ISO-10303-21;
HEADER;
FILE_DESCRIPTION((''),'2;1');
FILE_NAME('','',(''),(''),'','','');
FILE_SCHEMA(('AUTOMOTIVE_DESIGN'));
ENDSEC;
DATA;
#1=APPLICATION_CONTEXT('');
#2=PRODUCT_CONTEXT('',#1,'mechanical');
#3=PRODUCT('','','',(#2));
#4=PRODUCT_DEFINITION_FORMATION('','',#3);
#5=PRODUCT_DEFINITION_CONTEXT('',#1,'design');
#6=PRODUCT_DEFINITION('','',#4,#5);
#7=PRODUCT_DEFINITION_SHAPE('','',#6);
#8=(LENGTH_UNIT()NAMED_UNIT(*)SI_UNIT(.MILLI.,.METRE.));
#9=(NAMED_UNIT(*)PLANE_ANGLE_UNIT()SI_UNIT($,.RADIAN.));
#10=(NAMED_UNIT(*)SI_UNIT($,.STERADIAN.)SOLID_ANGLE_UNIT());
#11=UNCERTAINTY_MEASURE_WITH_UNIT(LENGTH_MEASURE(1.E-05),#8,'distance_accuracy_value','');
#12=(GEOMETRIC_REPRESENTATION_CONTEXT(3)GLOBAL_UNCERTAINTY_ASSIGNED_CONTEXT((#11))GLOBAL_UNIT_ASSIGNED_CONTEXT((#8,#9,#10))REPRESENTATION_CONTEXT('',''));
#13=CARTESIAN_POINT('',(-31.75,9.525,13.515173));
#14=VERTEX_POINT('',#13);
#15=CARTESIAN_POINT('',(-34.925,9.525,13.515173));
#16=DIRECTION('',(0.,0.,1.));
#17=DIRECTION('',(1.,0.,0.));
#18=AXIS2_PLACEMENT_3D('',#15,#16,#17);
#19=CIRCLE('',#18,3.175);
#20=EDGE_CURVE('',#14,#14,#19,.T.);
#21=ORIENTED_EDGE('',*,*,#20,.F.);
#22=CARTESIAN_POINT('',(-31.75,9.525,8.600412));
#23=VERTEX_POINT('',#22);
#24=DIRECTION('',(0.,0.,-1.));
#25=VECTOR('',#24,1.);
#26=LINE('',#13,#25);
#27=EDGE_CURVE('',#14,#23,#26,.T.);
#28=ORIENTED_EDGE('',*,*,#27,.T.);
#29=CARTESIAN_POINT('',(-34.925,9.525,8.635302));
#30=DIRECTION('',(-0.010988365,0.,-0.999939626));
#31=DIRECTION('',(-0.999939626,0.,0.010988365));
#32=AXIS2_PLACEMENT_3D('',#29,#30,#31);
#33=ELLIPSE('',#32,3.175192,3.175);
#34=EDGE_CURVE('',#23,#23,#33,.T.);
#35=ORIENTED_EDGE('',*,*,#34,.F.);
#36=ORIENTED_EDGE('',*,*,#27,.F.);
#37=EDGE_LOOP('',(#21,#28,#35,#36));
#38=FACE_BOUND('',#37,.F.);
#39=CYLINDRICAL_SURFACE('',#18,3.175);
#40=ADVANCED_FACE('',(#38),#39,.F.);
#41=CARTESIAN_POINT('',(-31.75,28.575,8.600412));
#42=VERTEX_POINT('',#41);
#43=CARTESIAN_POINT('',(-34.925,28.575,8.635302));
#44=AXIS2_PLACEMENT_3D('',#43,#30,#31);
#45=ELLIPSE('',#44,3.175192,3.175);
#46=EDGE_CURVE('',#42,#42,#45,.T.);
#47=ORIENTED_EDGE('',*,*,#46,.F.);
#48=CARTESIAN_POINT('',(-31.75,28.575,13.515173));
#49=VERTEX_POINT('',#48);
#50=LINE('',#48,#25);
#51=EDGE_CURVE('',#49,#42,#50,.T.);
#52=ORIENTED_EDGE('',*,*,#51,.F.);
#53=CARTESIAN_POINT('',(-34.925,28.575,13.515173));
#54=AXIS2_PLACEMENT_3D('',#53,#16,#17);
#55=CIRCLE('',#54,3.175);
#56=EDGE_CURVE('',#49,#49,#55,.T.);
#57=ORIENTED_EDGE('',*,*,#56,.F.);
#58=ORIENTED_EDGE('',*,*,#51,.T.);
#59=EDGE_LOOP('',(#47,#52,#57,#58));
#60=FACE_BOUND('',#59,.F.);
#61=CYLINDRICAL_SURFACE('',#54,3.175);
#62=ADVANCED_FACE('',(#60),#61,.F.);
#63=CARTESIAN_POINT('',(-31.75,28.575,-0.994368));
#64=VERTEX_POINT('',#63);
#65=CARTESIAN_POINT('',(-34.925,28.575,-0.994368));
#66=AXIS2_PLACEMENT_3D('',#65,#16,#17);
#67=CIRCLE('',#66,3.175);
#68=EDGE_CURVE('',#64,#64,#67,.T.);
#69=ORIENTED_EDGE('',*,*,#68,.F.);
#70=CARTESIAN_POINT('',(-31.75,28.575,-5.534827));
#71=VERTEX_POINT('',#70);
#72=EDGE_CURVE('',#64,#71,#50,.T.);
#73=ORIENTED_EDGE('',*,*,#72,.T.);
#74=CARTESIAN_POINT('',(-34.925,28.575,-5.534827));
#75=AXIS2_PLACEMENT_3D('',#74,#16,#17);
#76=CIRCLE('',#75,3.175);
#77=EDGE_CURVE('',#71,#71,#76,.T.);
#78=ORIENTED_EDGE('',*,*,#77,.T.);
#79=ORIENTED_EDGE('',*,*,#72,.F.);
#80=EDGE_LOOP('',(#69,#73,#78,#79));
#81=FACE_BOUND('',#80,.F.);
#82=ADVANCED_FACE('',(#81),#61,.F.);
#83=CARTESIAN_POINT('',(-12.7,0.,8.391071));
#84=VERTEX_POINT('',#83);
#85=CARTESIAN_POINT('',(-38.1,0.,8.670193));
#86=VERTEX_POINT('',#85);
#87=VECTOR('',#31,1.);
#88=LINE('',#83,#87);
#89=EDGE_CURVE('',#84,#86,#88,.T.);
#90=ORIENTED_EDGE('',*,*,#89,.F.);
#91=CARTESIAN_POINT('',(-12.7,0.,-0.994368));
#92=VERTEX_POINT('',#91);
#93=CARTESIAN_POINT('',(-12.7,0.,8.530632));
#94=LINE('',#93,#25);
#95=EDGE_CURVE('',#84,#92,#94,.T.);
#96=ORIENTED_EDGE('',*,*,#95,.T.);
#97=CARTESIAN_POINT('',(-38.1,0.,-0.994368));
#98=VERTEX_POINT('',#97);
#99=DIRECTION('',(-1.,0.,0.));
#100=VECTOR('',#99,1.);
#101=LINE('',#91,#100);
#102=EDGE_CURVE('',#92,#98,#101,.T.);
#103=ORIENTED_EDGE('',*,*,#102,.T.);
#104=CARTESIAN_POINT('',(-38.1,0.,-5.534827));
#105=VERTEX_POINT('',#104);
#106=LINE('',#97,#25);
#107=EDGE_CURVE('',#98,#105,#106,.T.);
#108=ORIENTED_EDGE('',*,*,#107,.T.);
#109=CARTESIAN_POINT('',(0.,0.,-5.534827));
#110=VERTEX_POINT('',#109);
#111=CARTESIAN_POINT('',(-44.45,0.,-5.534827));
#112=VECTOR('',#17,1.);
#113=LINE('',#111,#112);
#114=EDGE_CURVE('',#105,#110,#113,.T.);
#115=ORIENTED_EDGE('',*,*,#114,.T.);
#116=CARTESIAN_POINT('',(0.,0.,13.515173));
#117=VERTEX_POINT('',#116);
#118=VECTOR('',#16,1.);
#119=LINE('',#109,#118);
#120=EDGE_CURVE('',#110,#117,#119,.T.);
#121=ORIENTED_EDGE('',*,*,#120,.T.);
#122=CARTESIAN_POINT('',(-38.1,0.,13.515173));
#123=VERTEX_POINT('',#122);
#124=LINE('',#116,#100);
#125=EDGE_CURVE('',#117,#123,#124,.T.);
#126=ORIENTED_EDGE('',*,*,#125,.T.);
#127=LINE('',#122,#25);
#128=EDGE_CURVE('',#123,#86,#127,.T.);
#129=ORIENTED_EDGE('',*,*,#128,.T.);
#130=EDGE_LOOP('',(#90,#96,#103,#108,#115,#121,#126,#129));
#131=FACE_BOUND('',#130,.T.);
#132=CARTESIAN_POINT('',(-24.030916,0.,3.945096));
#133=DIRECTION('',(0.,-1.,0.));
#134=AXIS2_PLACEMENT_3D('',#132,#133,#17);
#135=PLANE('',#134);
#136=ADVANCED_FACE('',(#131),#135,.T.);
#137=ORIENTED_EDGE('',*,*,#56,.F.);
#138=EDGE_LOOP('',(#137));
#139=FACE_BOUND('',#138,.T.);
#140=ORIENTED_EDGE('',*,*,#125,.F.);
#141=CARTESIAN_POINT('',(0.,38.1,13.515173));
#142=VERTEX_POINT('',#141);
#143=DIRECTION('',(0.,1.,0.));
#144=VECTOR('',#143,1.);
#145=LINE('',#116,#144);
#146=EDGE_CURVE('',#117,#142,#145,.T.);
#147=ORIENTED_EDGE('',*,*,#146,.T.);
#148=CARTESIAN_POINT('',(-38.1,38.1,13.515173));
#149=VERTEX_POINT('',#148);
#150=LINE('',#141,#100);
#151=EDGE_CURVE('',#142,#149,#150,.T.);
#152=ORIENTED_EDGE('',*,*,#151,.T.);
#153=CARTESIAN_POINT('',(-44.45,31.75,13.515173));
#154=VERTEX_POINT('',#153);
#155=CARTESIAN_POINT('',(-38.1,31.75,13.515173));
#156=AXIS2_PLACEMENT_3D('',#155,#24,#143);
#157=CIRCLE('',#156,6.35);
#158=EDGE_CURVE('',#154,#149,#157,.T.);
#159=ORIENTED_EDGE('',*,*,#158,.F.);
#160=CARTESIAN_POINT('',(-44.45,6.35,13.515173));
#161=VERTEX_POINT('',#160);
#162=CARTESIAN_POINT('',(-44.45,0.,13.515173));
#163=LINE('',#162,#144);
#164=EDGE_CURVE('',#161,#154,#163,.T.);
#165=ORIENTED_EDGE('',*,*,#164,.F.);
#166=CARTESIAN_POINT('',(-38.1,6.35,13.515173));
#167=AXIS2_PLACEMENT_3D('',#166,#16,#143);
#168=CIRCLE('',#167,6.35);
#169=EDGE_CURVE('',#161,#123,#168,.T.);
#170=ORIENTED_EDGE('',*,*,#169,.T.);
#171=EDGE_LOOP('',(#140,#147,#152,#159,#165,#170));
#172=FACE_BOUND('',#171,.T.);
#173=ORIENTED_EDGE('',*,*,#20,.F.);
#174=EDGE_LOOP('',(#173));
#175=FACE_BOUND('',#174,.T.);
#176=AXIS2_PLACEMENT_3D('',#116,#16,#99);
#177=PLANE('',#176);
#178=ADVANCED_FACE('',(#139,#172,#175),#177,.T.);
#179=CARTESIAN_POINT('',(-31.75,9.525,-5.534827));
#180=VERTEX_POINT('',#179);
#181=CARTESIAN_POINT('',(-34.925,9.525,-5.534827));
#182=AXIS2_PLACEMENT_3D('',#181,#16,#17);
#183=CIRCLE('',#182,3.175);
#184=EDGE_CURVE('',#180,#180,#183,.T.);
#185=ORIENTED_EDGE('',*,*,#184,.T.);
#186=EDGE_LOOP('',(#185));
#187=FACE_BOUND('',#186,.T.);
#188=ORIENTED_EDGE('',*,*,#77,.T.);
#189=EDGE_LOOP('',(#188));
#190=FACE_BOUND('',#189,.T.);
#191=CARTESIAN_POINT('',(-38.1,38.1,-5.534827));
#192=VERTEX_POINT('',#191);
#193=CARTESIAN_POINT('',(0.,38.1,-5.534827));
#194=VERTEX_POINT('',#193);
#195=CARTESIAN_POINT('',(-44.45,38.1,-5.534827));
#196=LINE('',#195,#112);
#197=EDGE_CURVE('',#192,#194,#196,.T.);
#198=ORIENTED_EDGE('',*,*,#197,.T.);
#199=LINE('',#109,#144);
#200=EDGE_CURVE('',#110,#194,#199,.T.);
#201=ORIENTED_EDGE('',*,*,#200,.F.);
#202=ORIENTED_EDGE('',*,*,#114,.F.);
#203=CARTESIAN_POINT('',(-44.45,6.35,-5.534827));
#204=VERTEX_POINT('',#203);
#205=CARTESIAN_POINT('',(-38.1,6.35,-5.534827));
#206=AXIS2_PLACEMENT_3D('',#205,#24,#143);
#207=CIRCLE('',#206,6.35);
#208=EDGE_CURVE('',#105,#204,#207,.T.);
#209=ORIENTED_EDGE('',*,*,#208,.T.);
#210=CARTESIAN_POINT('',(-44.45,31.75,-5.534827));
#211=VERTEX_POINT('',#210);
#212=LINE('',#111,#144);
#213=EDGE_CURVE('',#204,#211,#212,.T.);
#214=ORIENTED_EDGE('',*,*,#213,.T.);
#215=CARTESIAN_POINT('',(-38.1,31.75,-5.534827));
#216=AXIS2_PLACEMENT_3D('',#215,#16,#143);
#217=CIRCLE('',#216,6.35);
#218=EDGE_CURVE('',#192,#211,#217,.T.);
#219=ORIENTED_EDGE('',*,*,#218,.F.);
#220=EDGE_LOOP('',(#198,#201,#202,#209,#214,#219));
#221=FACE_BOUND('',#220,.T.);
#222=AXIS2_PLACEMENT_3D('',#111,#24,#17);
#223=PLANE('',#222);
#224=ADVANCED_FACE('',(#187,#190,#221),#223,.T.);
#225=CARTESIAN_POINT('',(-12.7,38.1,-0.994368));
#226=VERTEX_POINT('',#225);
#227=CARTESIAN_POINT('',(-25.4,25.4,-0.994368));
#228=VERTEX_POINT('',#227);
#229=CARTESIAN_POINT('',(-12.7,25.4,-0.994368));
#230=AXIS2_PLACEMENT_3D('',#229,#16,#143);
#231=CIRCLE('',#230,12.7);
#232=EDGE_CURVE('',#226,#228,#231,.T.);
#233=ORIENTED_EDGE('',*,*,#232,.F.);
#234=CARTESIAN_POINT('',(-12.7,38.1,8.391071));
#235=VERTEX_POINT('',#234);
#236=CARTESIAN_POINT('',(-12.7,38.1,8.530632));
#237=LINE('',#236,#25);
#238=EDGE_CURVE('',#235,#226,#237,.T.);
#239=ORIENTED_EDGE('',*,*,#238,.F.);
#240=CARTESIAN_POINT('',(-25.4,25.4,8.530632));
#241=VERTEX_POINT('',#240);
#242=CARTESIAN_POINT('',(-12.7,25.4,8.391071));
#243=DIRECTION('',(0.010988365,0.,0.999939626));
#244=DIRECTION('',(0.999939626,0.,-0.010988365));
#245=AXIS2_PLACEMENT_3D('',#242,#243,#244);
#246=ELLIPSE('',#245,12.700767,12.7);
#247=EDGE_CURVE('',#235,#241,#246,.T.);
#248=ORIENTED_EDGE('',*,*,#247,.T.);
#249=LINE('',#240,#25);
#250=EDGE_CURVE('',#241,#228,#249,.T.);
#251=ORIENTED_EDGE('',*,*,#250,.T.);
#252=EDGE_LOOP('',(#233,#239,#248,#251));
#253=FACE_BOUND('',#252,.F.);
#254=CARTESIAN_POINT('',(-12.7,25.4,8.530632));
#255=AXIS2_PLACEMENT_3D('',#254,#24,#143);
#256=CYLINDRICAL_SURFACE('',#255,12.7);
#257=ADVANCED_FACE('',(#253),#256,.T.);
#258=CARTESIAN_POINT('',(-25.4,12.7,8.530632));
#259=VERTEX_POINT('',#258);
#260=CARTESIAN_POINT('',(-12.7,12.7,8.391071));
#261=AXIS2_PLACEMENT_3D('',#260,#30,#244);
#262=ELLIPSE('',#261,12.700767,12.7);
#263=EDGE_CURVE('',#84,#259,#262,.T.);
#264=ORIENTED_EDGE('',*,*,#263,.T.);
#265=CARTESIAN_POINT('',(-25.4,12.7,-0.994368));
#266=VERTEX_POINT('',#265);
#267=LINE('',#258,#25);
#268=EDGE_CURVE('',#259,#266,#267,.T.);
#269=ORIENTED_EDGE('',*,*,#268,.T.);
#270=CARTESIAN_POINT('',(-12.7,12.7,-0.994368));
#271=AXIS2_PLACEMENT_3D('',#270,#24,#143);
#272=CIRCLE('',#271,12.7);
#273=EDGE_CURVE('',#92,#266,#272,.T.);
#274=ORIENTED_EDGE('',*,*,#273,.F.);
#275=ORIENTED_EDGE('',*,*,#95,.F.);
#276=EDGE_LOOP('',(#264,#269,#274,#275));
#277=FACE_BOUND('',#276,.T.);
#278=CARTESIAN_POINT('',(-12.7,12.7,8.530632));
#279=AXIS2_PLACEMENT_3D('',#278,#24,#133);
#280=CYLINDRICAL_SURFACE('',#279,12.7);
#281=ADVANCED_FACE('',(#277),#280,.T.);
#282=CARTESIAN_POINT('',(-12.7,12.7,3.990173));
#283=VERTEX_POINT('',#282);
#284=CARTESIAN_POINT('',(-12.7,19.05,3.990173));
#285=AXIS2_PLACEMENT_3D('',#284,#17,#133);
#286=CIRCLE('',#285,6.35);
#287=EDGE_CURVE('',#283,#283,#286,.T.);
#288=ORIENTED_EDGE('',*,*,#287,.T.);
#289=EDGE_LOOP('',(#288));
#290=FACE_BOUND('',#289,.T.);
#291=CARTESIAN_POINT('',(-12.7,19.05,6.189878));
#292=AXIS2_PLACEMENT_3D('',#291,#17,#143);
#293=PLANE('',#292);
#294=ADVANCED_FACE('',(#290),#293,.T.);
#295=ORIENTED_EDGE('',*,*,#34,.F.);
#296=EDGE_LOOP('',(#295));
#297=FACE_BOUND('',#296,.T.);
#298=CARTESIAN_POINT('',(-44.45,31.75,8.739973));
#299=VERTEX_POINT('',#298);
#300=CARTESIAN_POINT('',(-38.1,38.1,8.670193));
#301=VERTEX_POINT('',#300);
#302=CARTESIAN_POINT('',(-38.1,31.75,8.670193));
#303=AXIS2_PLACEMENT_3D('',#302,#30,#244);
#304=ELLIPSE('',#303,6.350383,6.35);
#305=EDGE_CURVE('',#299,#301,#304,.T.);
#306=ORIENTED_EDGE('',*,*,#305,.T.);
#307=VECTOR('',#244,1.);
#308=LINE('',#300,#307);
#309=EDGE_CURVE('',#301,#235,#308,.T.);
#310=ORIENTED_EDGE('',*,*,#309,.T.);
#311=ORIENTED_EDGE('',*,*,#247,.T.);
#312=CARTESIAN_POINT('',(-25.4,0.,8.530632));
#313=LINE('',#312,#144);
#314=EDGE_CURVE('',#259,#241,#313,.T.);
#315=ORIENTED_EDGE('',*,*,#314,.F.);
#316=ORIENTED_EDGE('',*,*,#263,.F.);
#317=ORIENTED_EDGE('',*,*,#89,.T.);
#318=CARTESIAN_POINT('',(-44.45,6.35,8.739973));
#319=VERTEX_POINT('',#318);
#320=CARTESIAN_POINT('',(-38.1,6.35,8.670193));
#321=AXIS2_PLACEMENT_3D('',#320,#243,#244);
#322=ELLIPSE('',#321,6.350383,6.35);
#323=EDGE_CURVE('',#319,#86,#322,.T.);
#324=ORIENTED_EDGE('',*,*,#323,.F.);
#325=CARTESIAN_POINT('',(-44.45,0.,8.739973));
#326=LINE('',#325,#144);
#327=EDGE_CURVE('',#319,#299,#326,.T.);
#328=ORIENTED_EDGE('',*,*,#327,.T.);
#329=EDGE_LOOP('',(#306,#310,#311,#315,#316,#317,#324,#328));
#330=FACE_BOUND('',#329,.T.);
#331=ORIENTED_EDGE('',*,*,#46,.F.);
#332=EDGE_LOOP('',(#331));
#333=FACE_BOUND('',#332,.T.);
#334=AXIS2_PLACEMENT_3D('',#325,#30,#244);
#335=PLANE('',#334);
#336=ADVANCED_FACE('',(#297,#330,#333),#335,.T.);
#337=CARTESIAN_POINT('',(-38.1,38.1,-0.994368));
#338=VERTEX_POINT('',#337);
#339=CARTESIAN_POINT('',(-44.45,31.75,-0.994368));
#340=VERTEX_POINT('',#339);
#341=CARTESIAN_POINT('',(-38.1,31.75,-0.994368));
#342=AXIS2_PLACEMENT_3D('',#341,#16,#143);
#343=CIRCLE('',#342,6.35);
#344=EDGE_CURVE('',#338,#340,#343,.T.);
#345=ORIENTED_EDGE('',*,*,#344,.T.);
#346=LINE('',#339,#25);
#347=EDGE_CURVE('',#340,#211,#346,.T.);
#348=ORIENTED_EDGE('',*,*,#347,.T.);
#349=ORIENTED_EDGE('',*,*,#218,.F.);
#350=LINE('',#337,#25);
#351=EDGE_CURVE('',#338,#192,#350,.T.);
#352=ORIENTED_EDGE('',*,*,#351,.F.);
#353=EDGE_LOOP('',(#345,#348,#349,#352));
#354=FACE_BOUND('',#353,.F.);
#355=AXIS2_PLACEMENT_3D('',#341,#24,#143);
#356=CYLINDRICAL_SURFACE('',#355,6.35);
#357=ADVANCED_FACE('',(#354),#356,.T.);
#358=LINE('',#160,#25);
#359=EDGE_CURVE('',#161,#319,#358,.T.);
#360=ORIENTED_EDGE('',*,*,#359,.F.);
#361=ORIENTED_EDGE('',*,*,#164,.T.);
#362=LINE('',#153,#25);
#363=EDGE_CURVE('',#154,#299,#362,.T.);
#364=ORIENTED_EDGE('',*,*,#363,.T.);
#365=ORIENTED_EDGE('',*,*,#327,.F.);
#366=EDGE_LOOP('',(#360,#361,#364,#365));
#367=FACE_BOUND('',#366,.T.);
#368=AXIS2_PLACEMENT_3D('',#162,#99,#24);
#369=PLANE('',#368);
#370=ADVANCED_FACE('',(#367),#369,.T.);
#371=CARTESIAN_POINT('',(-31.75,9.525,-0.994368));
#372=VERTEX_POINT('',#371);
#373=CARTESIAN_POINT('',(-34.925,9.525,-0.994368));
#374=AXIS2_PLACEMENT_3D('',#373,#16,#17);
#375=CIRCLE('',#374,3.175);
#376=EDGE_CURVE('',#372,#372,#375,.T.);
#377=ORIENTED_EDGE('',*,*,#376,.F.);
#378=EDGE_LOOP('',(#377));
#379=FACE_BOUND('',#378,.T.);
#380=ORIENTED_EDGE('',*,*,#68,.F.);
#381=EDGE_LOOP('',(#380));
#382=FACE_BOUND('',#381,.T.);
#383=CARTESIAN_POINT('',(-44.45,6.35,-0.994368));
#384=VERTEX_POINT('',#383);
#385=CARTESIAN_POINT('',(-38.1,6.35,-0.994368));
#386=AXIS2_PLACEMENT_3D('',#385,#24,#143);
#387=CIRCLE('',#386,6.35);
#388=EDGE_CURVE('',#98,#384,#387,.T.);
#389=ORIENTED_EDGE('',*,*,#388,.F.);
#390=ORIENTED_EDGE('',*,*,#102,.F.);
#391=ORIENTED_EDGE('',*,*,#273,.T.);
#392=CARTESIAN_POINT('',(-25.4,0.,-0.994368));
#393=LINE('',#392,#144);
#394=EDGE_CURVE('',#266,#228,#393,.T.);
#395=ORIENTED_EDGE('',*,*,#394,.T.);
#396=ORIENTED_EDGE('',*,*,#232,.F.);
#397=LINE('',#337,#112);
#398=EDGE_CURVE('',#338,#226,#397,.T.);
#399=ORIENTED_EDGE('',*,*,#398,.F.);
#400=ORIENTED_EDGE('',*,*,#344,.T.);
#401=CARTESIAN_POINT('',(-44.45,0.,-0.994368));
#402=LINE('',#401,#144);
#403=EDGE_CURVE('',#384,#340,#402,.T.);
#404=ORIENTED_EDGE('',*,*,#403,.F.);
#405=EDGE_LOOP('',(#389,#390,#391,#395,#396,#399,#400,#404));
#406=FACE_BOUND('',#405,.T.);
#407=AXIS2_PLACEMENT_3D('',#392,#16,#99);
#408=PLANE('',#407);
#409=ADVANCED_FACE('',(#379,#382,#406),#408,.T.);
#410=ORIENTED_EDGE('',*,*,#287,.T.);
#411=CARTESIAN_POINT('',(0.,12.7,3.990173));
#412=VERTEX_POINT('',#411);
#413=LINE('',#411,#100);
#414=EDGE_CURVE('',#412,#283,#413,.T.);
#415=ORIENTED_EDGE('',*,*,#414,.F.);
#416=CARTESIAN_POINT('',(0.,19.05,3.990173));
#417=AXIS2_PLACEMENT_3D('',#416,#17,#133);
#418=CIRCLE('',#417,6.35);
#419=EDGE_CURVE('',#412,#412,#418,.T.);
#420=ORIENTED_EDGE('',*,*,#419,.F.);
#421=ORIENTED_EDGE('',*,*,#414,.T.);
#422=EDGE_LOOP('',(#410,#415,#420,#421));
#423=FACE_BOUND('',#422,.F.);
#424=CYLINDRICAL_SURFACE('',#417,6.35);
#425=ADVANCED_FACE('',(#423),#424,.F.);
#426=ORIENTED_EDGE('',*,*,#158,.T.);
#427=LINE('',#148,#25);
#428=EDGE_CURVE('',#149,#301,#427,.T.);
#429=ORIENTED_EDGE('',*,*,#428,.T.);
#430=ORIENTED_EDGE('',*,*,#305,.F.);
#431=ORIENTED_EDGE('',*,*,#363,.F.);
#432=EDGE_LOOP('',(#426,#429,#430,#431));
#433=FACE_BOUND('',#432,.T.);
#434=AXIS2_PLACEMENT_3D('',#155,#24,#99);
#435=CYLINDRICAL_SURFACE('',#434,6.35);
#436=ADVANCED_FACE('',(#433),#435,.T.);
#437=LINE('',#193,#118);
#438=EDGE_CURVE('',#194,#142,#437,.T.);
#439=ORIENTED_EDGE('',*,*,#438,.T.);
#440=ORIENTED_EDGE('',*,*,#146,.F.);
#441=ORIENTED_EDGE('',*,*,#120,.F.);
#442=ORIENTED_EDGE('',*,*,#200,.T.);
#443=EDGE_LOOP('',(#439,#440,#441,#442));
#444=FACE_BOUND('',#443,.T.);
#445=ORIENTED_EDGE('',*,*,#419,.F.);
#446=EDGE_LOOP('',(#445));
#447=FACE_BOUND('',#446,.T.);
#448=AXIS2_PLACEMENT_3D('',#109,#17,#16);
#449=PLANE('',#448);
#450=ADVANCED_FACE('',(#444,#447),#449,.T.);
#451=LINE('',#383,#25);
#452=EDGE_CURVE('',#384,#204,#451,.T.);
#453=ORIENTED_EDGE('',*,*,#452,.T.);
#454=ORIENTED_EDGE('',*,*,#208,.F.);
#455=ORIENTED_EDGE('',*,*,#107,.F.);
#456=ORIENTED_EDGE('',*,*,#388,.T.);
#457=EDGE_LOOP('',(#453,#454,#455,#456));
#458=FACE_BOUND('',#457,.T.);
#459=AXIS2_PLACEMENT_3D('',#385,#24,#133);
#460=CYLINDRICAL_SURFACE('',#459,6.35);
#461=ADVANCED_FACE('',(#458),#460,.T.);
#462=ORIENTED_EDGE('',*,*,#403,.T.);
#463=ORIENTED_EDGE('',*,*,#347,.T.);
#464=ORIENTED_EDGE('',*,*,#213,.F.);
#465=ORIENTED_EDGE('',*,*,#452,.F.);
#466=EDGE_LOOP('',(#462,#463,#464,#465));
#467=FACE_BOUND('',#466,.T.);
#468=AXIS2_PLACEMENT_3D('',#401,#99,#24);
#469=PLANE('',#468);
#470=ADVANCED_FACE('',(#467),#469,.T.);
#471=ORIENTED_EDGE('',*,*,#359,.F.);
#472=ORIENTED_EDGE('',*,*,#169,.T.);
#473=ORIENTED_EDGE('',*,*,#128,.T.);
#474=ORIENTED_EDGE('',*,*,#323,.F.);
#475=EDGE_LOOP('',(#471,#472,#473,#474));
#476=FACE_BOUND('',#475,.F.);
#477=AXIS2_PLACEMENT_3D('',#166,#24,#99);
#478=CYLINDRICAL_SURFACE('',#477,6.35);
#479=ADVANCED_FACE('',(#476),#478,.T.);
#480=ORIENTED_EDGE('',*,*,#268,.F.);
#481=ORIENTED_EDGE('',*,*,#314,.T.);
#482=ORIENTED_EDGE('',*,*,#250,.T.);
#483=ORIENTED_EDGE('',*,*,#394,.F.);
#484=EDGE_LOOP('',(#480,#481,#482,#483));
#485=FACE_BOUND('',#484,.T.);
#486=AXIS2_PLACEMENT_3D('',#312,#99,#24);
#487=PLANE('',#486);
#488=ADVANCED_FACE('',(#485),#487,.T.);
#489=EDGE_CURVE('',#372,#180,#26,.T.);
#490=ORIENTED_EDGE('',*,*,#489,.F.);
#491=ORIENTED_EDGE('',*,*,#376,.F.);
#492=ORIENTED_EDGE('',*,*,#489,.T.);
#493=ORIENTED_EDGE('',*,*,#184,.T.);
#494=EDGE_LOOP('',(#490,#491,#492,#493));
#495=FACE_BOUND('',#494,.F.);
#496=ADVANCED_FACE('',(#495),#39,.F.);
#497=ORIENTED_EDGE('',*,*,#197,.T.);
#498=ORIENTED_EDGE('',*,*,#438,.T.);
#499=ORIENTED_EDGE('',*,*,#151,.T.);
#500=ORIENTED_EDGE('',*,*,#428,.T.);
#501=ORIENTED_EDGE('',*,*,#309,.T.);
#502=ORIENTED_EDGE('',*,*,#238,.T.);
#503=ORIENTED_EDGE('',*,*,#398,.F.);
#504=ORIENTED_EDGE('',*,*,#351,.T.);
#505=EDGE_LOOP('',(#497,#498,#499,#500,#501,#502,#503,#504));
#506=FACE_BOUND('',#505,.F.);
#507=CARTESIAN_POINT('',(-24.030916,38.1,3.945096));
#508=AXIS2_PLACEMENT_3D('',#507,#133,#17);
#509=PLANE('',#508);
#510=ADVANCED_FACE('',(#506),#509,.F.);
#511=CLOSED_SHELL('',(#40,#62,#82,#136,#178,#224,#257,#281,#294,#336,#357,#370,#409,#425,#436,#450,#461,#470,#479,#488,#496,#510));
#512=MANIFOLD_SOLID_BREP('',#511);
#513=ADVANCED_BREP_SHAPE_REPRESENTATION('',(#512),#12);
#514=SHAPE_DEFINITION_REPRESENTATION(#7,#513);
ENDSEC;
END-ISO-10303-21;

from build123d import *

# Parameters (mm, degrees)
F1_DEPTH = 38.1
F2_R     = 3.175
F3_DEPTH = 177.8
F4_R     = 6.35
F6_DEPTH = 12.7
F7_R     = 12.7


with BuildPart() as f1:
    # F0 (on Front) → F1 (new body)
    with BuildSketch(Plane.XZ):
        Polygon((-44.45, 13.515173), (-44.45, 8.739973), (-25.4, 8.530632), (-25.4, -0.994368), (-44.45, -0.994368), (-44.45, -5.534827), (0, -5.534827), (0, 13.515173), align=None)
    extrude(amount=-F1_DEPTH)

    # F2 (on face) → F3 (cut)
    with BuildSketch(Plane.XY.offset(13.515173)):
        with Locations((-34.925, 28.575)):
            Circle(F2_R)
        with Locations((-34.925, 9.525)):
            Circle(F2_R)
    extrude(amount=-F3_DEPTH, mode=Mode.SUBTRACT)

    # F4
    f4_edges = [f1.edges().sort_by_distance(p)[0] for p in [
        (-44.45, 38.1, 11.127573),
        (-44.45, 38.1, -3.264598),
        (-44.45, 0, 11.127573),
        (-44.45, 0, -3.264598),
    ]]
    fillet(f4_edges, radius=F4_R)

    # F5 (on face) → F6 (cut)
    with BuildSketch(Plane.YZ):
        with BuildLine():
            ThreePointArc((25.4, 3.990173), (19.05, 10.340173), (12.7, 3.990173))
            Line((12.7, 3.990173), (25.4, 3.990173))
        make_face()
        with BuildLine():
            Line((25.4, 3.990173), (12.7, 3.990173))
            ThreePointArc((12.7, 3.990173), (19.05, -2.359827), (25.4, 3.990173))
        make_face()
    extrude(amount=-F6_DEPTH, mode=Mode.SUBTRACT)

    # F7
    f7_edges = [f1.edges().sort_by_distance(p)[0] for p in [
        (-25.4, 0, 3.768132),
        (-25.4, 38.1, 3.768132),
    ]]
    fillet(f7_edges, radius=F7_R)


solid = f1.part
